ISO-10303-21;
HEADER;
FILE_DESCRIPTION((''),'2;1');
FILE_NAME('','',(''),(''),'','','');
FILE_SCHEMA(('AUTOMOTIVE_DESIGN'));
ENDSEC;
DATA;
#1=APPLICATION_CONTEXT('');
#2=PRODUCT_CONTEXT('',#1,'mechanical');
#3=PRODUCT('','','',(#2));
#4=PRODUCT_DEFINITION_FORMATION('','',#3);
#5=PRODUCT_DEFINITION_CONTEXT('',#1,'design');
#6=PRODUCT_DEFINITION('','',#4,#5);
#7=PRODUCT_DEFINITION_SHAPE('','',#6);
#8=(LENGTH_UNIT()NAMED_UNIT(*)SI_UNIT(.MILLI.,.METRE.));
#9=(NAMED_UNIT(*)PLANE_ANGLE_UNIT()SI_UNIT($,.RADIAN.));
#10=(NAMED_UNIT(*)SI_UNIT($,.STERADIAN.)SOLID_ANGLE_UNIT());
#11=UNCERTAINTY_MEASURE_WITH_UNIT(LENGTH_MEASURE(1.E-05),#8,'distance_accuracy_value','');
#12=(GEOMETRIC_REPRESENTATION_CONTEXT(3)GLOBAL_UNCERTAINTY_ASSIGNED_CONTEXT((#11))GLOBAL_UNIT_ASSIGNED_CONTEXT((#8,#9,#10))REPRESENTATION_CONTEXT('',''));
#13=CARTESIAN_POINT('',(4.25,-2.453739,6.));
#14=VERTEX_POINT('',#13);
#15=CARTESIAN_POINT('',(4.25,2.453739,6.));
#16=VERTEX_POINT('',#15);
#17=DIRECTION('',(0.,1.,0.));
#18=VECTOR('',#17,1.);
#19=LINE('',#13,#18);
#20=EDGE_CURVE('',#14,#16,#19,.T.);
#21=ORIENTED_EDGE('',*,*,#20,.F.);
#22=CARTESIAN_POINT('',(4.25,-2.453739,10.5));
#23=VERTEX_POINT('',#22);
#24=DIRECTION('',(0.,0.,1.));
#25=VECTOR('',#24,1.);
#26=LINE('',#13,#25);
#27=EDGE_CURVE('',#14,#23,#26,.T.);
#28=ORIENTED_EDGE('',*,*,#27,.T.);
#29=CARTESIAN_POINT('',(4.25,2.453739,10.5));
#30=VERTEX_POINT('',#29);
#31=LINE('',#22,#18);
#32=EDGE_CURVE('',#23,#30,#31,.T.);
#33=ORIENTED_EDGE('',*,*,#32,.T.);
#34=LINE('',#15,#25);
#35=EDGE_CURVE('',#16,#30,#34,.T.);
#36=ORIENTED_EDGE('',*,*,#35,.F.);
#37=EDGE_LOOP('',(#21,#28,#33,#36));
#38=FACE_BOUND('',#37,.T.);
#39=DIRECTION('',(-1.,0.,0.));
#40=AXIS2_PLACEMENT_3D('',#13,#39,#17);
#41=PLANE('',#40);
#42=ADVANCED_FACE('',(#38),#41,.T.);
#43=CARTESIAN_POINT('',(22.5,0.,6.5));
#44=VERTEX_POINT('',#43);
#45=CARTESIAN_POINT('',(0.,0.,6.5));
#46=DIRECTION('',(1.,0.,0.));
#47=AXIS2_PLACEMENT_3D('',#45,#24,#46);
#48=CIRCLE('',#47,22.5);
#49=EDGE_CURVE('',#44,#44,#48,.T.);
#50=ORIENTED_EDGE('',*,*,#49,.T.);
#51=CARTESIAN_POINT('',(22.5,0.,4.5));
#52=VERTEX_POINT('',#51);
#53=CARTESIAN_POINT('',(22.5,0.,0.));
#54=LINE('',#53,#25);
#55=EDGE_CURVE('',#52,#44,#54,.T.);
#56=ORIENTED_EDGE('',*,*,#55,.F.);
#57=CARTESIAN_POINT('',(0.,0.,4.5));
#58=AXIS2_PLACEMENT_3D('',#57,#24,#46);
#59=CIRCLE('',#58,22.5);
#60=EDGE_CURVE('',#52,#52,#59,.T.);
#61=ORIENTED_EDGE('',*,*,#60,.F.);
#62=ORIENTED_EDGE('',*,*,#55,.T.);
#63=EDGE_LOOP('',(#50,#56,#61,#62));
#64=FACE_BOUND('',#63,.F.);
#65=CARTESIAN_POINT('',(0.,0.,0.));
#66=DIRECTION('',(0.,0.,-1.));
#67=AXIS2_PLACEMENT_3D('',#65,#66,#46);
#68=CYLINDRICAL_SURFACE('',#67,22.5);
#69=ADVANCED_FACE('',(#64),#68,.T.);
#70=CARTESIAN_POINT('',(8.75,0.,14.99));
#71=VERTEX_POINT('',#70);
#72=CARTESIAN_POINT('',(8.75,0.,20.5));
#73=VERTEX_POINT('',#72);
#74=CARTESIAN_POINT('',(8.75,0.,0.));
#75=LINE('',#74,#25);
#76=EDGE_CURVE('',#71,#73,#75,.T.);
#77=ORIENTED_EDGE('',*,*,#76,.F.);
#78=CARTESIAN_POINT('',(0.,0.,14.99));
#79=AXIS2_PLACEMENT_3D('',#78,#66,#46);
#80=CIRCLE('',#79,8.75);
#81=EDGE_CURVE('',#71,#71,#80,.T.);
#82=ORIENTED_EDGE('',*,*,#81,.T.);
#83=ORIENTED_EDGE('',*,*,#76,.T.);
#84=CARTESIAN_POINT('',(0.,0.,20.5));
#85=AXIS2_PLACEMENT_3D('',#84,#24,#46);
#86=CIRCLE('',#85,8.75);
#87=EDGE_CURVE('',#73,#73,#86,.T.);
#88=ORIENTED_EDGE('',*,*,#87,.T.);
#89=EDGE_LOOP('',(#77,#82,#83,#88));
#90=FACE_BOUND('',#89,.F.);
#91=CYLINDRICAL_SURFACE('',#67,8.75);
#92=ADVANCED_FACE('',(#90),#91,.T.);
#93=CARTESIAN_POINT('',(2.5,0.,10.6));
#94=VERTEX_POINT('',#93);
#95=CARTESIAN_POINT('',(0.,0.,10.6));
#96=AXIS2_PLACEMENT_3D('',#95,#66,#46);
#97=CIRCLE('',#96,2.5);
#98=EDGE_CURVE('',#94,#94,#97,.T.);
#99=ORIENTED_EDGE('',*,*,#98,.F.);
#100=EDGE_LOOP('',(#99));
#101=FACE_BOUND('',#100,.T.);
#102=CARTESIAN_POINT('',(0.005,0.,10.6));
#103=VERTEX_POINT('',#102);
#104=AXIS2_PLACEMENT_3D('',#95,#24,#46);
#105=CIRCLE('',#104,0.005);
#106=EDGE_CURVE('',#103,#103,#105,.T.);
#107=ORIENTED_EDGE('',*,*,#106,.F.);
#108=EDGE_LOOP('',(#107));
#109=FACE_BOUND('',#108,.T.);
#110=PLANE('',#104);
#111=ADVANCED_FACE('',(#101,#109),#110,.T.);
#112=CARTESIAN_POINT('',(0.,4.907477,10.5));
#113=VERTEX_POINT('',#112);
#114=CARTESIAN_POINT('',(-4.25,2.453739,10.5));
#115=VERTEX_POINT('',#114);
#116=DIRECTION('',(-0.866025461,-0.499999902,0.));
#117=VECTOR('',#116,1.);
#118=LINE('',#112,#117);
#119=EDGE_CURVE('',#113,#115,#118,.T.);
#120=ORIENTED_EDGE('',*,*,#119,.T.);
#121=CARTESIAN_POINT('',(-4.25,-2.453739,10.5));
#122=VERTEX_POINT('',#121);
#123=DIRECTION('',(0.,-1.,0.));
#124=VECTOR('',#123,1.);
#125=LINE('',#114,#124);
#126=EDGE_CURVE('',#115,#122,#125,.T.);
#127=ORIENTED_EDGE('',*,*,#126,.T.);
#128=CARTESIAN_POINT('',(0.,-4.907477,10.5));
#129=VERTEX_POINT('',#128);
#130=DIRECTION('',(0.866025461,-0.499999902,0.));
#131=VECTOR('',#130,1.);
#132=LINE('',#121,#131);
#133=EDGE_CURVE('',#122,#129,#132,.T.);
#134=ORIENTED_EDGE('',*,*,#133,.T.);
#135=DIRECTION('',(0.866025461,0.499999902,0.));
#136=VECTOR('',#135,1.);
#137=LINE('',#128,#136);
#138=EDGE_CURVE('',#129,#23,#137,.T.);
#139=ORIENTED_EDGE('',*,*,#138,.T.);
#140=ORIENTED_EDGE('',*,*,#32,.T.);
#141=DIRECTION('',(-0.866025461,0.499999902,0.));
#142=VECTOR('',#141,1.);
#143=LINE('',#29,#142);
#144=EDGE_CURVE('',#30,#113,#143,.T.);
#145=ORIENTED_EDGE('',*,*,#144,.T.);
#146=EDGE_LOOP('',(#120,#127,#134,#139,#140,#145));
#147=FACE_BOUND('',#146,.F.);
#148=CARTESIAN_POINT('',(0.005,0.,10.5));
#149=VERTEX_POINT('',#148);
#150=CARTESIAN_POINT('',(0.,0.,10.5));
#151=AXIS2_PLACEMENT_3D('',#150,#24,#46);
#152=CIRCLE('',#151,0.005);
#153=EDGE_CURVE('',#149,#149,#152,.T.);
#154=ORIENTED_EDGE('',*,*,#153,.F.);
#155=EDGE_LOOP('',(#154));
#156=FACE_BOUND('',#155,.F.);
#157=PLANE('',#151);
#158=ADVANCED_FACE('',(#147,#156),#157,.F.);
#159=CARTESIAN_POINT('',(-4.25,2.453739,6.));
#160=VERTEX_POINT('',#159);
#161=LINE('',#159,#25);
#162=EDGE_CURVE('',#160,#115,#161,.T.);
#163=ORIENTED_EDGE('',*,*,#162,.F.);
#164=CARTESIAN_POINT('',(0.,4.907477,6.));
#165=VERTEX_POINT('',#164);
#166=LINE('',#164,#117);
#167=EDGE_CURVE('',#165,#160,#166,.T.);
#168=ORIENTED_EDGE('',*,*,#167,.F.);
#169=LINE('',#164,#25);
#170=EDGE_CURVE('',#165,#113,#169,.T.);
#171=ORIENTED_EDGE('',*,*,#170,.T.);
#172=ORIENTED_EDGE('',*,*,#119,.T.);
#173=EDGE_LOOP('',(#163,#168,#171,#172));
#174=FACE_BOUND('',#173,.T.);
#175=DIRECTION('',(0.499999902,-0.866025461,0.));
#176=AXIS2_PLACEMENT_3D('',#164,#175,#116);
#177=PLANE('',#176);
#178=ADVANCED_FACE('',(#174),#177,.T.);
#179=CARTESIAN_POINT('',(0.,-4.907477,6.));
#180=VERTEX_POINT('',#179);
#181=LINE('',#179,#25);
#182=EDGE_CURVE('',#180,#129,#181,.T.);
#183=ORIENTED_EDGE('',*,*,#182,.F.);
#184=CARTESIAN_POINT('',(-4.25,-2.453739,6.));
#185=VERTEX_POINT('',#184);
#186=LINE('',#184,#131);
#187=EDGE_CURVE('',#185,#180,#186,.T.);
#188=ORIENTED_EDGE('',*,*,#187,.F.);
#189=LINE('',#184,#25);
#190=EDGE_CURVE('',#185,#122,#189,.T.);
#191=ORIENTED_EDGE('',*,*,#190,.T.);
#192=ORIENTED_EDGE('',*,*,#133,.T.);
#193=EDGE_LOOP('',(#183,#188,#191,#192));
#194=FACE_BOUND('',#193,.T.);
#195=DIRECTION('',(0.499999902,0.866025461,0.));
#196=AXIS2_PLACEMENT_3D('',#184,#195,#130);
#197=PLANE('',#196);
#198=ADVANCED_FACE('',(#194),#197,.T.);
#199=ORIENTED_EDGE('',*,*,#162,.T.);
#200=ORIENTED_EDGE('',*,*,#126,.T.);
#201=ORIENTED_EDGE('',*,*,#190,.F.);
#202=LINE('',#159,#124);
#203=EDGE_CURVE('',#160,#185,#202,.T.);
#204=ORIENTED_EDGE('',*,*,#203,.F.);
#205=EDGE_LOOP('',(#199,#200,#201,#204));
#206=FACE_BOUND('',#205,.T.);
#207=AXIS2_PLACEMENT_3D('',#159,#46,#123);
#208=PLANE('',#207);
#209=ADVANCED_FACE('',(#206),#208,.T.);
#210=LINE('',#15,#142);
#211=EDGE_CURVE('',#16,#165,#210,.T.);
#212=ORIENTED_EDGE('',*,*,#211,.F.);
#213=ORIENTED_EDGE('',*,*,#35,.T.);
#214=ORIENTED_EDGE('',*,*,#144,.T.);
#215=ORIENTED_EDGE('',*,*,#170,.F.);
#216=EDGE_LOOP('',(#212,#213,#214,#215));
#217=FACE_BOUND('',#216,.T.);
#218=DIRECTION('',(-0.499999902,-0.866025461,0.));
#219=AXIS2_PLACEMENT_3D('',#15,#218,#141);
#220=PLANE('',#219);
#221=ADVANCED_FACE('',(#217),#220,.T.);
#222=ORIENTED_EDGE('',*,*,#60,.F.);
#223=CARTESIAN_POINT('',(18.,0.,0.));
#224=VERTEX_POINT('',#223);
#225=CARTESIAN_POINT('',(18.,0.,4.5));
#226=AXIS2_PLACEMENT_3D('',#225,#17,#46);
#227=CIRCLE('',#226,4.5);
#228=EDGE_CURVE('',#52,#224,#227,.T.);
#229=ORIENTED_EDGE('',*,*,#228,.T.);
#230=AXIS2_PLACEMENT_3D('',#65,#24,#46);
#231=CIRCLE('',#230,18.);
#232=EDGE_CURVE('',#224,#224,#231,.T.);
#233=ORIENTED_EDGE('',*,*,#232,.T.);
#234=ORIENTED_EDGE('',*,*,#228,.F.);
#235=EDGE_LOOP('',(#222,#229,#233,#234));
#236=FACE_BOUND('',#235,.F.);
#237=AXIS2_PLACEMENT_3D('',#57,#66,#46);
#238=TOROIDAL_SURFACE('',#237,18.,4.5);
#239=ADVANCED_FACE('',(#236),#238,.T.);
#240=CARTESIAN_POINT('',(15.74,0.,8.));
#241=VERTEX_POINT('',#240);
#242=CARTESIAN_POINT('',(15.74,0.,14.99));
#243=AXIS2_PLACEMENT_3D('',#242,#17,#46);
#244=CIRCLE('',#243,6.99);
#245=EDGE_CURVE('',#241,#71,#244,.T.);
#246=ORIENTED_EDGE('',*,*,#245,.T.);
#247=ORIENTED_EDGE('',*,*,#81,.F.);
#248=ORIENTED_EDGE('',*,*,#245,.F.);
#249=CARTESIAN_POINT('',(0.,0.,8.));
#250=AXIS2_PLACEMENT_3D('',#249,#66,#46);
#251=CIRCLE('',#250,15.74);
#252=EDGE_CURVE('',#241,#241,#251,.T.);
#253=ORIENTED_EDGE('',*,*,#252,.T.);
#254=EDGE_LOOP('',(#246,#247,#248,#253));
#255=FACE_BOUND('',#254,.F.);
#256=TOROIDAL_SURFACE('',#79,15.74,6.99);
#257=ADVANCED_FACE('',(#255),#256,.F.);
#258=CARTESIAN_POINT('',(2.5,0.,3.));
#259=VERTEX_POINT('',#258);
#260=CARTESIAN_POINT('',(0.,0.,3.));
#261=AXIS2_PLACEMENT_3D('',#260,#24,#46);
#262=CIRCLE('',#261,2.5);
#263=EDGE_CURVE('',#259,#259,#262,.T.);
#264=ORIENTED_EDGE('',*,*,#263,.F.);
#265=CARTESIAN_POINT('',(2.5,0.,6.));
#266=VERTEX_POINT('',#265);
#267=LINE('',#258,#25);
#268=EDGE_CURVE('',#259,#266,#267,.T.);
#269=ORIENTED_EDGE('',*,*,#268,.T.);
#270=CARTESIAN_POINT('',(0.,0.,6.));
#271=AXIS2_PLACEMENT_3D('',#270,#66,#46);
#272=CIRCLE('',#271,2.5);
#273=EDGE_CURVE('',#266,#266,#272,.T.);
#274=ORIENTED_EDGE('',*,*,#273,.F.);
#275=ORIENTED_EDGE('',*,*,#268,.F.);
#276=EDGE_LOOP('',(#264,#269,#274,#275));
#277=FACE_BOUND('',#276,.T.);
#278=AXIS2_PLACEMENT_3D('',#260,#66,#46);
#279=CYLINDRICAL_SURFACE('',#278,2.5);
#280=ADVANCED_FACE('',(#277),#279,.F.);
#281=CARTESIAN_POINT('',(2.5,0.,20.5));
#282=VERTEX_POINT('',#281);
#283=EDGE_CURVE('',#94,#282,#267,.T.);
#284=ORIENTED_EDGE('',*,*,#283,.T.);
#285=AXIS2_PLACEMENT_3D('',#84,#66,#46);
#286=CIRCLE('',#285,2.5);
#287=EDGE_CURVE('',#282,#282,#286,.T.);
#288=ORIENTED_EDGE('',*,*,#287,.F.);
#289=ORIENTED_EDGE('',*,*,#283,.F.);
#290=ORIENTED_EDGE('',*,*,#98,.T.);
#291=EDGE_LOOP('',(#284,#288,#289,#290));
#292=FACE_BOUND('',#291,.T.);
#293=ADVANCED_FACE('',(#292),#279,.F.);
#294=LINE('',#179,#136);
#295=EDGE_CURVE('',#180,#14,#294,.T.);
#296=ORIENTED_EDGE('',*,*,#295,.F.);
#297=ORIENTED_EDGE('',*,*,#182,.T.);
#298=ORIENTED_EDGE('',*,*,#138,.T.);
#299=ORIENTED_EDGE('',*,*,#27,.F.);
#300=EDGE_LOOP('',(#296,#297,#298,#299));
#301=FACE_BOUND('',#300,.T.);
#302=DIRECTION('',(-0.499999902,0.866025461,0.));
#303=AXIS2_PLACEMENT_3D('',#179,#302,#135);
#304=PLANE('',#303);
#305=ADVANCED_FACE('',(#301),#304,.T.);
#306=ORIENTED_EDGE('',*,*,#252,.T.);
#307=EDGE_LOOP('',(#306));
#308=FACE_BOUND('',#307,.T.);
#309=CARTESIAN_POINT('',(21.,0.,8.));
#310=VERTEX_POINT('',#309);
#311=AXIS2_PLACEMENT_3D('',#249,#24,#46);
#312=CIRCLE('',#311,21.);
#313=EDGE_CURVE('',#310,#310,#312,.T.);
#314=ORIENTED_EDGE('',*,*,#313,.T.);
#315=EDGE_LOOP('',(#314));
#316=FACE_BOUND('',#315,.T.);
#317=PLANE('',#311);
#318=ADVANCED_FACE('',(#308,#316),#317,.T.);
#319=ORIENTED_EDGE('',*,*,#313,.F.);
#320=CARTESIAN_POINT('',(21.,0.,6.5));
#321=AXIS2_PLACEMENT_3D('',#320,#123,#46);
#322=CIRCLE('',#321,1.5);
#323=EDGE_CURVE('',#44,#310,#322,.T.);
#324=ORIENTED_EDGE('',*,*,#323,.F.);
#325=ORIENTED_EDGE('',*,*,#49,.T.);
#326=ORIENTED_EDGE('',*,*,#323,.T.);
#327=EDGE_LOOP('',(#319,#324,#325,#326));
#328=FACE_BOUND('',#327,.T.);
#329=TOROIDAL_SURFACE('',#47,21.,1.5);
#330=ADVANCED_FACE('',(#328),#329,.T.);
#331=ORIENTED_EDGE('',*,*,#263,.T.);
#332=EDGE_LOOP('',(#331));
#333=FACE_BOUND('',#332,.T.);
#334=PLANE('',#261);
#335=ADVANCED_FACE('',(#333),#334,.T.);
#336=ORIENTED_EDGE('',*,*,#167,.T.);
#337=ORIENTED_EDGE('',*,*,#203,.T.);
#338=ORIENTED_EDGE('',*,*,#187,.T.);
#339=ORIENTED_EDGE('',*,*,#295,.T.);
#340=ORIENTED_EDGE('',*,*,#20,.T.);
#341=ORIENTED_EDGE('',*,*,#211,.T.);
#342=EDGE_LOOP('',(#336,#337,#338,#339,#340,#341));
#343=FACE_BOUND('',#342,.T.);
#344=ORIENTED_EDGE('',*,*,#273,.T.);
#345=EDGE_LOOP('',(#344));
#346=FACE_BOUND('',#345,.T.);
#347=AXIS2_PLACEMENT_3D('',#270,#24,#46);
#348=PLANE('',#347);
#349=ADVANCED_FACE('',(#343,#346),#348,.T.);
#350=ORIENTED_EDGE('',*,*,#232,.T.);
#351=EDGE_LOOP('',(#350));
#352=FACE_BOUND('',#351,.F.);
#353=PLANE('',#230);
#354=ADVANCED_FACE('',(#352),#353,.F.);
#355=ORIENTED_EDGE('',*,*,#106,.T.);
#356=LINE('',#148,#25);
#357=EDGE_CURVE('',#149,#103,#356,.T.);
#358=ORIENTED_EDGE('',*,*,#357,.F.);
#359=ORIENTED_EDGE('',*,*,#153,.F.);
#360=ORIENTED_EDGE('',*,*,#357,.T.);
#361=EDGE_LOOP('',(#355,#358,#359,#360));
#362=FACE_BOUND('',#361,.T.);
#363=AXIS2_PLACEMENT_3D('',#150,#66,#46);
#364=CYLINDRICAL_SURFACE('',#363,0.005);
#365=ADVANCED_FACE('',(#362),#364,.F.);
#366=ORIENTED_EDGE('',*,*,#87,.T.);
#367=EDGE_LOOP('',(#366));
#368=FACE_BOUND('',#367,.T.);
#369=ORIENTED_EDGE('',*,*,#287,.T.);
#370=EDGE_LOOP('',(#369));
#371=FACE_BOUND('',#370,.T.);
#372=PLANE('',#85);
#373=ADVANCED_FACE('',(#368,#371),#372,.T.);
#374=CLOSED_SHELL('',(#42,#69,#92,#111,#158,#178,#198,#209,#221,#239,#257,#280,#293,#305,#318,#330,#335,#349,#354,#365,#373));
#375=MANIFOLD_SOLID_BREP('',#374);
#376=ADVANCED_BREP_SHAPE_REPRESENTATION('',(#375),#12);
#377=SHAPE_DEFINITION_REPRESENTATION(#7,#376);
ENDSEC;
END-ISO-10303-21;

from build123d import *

# Parameters (mm, degrees)
SKETCH_R        = 22.5
PAD_DEPTH       = 8
SKETCH001_R     = 8.75
PAD001_DEPTH    = 20.5
SKETCH002_R     = 6
SKETCH002_R_2   = 5
PAD002_DEPTH    = 13
FILLET_R        = 6.99
FILLET001_R     = 4.5
POCKET_DEPTH    = 4.5
FILLET002_R     = 1.5
SKETCH008_R     = 2.5
POCKET001_DEPTH = 18
SKETCH009_W     = 10
SKETCH009_H     = 10
SKETCH009_R     = 0.005
PAD007_DEPTH    = 0.1


with BuildPart() as part:
    # Sketch (on XY_Plane of Origin) → Pad (new body)
    with BuildSketch(Plane.XY):
        Circle(SKETCH_R)
    extrude(amount=PAD_DEPTH)

    # Sketch001 (on XY_Plane of Origin) → Pad001 (join)
    with BuildSketch(Plane.XY):
        Circle(SKETCH001_R)
    extrude(amount=PAD001_DEPTH)

    # Sketch002 (on XY_Plane of Origin) → Pad002 (join)
    with BuildSketch(Plane.XY):
        Circle(SKETCH002_R)
        Circle(SKETCH002_R_2, mode=Mode.SUBTRACT)
    extrude(amount=PAD002_DEPTH)

    # Fillet
    fillet_edges = [part.edges().sort_by_distance(p)[0] for p in [
        (-8.75, 0, 8),
    ]]
    fillet(fillet_edges, radius=FILLET_R)

    # Fillet001
    fillet001_edges = [part.edges().sort_by_distance(p)[0] for p in [
        (-22.5, 0, 0),
    ]]
    fillet(fillet001_edges, radius=FILLET001_R)

    # Sketch003 (on XY_Plane of Origin) → Pocket (cut)
    with BuildSketch(Plane.XY.offset(6)):
        Polygon((4.25, 2.453739), (0, 4.907477), (-4.25, 2.453739), (-4.25, -2.453739), (0, -4.907477), (4.25, -2.453739), align=None)
    extrude(amount=POCKET_DEPTH, mode=Mode.SUBTRACT)

    # Fillet002
    fillet002_edges = [part.edges().sort_by_distance(p)[0] for p in [
        (-22.5, 0, 8),
    ]]
    fillet(fillet002_edges, radius=FILLET002_R)

    # Sketch008 (on XY_Plane of Origin) → Pocket001 (cut)
    with BuildSketch(Plane.XY.offset(3)):
        Circle(SKETCH008_R)
    extrude(amount=POCKET001_DEPTH, mode=Mode.SUBTRACT)

    # Sketch009 (on XY_Plane of Origin) → Pad007 (join)
    with BuildSketch(Plane.XY.offset(10.5)):
        Rectangle(SKETCH009_W, SKETCH009_H)
        Circle(SKETCH009_R, mode=Mode.SUBTRACT)
    extrude(amount=PAD007_DEPTH)


solid = part.part
